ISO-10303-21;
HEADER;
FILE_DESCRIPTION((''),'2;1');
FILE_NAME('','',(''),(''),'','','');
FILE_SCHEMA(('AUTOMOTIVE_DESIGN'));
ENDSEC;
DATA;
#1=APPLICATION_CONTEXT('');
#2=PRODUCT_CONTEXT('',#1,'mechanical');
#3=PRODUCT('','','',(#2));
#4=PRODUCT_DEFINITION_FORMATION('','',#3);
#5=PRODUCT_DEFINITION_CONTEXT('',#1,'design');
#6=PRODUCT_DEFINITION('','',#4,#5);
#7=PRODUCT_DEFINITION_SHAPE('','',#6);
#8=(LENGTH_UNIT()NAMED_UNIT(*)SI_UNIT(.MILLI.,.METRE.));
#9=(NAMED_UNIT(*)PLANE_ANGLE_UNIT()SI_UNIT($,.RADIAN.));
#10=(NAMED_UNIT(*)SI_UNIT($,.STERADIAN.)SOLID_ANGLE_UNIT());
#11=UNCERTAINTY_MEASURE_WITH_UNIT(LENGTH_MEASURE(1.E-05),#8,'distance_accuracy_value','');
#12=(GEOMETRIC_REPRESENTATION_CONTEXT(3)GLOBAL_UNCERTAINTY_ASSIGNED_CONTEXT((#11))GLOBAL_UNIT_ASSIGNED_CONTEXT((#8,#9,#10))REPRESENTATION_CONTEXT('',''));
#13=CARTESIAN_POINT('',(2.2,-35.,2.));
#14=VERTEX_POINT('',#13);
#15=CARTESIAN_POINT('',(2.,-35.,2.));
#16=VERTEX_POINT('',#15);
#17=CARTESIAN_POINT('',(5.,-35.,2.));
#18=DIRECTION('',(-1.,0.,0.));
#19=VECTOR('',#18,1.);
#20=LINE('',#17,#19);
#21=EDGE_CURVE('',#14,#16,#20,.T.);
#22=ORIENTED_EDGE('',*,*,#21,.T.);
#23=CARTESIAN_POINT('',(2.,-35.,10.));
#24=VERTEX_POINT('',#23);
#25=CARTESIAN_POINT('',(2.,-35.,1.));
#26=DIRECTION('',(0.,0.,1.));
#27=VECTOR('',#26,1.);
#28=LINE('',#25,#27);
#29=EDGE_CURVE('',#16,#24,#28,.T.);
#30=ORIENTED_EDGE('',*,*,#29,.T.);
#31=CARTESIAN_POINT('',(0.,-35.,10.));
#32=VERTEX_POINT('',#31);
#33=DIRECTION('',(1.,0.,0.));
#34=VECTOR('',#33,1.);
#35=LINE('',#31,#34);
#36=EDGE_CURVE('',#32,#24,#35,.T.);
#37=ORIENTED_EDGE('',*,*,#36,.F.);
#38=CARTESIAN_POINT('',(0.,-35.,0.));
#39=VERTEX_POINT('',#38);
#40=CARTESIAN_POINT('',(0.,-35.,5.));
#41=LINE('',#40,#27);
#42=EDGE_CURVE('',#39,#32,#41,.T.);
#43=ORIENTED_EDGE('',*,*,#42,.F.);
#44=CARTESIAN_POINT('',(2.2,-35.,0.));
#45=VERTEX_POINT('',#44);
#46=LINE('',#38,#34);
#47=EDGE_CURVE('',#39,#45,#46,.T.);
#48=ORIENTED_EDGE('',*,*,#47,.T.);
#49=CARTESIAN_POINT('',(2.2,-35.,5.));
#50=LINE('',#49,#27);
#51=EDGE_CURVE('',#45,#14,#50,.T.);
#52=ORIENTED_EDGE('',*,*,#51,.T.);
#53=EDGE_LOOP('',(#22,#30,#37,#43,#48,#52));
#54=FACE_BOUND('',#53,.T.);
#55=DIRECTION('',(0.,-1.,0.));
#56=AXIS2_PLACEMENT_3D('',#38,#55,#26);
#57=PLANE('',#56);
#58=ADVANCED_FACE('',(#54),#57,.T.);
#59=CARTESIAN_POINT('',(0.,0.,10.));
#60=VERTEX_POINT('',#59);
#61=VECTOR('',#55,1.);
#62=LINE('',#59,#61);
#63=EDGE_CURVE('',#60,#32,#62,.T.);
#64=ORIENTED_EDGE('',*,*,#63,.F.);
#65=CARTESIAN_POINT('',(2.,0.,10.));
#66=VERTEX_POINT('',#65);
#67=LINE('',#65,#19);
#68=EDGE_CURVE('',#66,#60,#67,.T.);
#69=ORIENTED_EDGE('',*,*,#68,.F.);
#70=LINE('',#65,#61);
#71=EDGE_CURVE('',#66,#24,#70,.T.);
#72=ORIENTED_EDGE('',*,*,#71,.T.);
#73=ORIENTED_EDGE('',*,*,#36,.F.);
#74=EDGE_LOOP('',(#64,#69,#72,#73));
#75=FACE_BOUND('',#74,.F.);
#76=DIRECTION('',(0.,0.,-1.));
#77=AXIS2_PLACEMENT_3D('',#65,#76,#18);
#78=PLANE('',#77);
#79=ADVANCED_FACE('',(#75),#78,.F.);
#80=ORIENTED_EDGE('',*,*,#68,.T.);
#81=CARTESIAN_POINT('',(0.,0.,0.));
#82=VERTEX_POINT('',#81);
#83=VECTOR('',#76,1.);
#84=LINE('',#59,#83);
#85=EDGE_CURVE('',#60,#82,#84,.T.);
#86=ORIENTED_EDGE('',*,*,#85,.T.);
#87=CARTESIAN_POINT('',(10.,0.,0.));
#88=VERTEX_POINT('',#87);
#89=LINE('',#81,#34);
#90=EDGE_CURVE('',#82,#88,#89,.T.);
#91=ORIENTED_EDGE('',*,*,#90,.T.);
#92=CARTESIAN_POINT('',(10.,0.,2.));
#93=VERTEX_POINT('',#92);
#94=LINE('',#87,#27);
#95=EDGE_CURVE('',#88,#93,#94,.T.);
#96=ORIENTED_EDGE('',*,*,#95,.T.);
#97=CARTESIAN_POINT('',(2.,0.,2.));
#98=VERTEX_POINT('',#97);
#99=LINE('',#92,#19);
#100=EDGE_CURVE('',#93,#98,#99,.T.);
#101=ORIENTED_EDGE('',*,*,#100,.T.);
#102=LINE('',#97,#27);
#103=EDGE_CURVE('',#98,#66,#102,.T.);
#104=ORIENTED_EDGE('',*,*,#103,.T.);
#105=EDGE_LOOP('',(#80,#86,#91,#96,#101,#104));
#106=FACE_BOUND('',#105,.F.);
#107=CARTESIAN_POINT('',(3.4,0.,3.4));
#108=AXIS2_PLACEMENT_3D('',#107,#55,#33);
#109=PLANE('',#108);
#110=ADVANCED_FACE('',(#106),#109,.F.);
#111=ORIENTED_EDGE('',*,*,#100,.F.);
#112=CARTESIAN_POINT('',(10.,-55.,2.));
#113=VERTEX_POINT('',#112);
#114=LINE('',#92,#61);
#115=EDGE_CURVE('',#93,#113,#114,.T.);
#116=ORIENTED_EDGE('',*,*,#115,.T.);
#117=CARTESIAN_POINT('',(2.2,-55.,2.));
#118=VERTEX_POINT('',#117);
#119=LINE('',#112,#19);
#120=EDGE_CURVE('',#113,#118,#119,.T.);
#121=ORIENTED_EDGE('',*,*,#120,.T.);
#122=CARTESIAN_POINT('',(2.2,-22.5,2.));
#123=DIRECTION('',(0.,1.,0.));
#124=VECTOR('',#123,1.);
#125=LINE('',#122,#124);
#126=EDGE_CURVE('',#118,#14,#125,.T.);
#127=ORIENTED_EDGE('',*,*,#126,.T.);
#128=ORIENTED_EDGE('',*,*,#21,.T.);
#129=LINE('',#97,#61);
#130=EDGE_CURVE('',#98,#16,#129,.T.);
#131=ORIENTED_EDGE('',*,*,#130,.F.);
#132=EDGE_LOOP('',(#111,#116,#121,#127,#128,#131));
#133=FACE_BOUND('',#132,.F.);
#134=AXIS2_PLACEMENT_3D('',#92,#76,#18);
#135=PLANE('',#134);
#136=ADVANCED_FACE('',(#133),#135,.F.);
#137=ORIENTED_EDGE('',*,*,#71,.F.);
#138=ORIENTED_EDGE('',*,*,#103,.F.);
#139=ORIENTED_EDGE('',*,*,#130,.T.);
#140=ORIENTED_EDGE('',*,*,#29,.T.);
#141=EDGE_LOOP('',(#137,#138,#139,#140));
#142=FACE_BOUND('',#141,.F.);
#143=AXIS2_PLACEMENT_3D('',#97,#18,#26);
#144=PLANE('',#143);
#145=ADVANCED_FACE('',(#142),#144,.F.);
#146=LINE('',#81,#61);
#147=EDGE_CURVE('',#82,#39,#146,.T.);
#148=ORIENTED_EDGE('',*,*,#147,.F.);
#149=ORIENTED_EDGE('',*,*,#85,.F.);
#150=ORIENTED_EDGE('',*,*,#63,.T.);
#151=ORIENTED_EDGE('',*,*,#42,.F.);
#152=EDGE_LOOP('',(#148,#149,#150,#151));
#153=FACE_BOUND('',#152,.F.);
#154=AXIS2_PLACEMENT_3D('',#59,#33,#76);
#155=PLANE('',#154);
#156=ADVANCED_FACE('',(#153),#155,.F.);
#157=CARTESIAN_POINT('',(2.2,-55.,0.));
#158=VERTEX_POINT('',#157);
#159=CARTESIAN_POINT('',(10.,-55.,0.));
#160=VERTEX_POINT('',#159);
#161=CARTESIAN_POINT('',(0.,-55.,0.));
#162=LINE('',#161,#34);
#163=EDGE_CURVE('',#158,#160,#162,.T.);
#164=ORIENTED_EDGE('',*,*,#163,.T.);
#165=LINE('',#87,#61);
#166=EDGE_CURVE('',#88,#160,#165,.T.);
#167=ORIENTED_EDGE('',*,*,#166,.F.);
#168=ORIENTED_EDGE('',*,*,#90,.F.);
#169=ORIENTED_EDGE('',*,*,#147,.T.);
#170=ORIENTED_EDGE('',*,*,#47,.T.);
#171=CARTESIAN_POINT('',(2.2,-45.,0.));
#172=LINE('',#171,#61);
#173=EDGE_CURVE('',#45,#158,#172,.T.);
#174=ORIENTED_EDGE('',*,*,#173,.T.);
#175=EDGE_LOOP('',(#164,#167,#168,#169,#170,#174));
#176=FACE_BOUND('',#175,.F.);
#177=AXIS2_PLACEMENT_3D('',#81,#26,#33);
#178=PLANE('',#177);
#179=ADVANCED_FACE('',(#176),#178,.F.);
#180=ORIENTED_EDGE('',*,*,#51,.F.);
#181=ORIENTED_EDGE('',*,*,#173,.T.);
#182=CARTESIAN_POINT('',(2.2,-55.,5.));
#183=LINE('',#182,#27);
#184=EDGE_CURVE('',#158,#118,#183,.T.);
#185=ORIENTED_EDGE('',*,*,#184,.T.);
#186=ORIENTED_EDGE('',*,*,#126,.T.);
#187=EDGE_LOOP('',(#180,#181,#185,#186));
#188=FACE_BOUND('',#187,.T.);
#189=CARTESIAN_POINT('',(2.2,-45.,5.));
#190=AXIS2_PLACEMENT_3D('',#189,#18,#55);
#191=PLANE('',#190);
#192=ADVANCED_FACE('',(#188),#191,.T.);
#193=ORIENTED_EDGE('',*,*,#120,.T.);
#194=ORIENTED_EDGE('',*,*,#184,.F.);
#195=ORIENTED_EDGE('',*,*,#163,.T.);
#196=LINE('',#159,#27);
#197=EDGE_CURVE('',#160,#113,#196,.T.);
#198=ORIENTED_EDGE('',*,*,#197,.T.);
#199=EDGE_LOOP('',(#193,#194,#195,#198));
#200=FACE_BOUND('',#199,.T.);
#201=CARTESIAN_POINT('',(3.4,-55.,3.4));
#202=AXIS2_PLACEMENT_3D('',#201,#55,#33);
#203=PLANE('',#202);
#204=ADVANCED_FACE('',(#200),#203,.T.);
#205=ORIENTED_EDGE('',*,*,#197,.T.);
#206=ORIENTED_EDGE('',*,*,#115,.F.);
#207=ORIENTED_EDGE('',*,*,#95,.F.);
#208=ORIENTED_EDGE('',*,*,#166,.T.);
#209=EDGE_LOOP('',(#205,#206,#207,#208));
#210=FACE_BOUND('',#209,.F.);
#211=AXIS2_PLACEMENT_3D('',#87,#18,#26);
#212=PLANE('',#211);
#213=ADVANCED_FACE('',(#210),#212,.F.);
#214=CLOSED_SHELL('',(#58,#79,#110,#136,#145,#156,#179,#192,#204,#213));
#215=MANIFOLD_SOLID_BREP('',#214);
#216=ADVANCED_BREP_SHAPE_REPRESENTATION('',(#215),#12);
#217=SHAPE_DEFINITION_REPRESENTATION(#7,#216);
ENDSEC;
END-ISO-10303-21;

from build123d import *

# Parameters (mm, degrees)
F1_DEPTH = 55
F2_W     = 20
F2_H     = 10
F3_DEPTH = 2.2


with BuildPart() as f1:
    # F0 (on Front) → F1 (new body)
    with BuildSketch(Plane.XZ):
        Polygon((0, 10), (0, 0), (10, 0), (10, 2), (2, 2), (2, 10), align=None)
    extrude(amount=F1_DEPTH)

    # F2 (on face) → F3 (cut)
    with BuildSketch(Plane(origin=(0, 0, 0), x_dir=(0, -1, 0), z_dir=(-1, 0, 0))):
        with Locations((45, 5)):
            Rectangle(F2_W, F2_H)
    extrude(amount=-F3_DEPTH, mode=Mode.SUBTRACT)


solid = f1.part
